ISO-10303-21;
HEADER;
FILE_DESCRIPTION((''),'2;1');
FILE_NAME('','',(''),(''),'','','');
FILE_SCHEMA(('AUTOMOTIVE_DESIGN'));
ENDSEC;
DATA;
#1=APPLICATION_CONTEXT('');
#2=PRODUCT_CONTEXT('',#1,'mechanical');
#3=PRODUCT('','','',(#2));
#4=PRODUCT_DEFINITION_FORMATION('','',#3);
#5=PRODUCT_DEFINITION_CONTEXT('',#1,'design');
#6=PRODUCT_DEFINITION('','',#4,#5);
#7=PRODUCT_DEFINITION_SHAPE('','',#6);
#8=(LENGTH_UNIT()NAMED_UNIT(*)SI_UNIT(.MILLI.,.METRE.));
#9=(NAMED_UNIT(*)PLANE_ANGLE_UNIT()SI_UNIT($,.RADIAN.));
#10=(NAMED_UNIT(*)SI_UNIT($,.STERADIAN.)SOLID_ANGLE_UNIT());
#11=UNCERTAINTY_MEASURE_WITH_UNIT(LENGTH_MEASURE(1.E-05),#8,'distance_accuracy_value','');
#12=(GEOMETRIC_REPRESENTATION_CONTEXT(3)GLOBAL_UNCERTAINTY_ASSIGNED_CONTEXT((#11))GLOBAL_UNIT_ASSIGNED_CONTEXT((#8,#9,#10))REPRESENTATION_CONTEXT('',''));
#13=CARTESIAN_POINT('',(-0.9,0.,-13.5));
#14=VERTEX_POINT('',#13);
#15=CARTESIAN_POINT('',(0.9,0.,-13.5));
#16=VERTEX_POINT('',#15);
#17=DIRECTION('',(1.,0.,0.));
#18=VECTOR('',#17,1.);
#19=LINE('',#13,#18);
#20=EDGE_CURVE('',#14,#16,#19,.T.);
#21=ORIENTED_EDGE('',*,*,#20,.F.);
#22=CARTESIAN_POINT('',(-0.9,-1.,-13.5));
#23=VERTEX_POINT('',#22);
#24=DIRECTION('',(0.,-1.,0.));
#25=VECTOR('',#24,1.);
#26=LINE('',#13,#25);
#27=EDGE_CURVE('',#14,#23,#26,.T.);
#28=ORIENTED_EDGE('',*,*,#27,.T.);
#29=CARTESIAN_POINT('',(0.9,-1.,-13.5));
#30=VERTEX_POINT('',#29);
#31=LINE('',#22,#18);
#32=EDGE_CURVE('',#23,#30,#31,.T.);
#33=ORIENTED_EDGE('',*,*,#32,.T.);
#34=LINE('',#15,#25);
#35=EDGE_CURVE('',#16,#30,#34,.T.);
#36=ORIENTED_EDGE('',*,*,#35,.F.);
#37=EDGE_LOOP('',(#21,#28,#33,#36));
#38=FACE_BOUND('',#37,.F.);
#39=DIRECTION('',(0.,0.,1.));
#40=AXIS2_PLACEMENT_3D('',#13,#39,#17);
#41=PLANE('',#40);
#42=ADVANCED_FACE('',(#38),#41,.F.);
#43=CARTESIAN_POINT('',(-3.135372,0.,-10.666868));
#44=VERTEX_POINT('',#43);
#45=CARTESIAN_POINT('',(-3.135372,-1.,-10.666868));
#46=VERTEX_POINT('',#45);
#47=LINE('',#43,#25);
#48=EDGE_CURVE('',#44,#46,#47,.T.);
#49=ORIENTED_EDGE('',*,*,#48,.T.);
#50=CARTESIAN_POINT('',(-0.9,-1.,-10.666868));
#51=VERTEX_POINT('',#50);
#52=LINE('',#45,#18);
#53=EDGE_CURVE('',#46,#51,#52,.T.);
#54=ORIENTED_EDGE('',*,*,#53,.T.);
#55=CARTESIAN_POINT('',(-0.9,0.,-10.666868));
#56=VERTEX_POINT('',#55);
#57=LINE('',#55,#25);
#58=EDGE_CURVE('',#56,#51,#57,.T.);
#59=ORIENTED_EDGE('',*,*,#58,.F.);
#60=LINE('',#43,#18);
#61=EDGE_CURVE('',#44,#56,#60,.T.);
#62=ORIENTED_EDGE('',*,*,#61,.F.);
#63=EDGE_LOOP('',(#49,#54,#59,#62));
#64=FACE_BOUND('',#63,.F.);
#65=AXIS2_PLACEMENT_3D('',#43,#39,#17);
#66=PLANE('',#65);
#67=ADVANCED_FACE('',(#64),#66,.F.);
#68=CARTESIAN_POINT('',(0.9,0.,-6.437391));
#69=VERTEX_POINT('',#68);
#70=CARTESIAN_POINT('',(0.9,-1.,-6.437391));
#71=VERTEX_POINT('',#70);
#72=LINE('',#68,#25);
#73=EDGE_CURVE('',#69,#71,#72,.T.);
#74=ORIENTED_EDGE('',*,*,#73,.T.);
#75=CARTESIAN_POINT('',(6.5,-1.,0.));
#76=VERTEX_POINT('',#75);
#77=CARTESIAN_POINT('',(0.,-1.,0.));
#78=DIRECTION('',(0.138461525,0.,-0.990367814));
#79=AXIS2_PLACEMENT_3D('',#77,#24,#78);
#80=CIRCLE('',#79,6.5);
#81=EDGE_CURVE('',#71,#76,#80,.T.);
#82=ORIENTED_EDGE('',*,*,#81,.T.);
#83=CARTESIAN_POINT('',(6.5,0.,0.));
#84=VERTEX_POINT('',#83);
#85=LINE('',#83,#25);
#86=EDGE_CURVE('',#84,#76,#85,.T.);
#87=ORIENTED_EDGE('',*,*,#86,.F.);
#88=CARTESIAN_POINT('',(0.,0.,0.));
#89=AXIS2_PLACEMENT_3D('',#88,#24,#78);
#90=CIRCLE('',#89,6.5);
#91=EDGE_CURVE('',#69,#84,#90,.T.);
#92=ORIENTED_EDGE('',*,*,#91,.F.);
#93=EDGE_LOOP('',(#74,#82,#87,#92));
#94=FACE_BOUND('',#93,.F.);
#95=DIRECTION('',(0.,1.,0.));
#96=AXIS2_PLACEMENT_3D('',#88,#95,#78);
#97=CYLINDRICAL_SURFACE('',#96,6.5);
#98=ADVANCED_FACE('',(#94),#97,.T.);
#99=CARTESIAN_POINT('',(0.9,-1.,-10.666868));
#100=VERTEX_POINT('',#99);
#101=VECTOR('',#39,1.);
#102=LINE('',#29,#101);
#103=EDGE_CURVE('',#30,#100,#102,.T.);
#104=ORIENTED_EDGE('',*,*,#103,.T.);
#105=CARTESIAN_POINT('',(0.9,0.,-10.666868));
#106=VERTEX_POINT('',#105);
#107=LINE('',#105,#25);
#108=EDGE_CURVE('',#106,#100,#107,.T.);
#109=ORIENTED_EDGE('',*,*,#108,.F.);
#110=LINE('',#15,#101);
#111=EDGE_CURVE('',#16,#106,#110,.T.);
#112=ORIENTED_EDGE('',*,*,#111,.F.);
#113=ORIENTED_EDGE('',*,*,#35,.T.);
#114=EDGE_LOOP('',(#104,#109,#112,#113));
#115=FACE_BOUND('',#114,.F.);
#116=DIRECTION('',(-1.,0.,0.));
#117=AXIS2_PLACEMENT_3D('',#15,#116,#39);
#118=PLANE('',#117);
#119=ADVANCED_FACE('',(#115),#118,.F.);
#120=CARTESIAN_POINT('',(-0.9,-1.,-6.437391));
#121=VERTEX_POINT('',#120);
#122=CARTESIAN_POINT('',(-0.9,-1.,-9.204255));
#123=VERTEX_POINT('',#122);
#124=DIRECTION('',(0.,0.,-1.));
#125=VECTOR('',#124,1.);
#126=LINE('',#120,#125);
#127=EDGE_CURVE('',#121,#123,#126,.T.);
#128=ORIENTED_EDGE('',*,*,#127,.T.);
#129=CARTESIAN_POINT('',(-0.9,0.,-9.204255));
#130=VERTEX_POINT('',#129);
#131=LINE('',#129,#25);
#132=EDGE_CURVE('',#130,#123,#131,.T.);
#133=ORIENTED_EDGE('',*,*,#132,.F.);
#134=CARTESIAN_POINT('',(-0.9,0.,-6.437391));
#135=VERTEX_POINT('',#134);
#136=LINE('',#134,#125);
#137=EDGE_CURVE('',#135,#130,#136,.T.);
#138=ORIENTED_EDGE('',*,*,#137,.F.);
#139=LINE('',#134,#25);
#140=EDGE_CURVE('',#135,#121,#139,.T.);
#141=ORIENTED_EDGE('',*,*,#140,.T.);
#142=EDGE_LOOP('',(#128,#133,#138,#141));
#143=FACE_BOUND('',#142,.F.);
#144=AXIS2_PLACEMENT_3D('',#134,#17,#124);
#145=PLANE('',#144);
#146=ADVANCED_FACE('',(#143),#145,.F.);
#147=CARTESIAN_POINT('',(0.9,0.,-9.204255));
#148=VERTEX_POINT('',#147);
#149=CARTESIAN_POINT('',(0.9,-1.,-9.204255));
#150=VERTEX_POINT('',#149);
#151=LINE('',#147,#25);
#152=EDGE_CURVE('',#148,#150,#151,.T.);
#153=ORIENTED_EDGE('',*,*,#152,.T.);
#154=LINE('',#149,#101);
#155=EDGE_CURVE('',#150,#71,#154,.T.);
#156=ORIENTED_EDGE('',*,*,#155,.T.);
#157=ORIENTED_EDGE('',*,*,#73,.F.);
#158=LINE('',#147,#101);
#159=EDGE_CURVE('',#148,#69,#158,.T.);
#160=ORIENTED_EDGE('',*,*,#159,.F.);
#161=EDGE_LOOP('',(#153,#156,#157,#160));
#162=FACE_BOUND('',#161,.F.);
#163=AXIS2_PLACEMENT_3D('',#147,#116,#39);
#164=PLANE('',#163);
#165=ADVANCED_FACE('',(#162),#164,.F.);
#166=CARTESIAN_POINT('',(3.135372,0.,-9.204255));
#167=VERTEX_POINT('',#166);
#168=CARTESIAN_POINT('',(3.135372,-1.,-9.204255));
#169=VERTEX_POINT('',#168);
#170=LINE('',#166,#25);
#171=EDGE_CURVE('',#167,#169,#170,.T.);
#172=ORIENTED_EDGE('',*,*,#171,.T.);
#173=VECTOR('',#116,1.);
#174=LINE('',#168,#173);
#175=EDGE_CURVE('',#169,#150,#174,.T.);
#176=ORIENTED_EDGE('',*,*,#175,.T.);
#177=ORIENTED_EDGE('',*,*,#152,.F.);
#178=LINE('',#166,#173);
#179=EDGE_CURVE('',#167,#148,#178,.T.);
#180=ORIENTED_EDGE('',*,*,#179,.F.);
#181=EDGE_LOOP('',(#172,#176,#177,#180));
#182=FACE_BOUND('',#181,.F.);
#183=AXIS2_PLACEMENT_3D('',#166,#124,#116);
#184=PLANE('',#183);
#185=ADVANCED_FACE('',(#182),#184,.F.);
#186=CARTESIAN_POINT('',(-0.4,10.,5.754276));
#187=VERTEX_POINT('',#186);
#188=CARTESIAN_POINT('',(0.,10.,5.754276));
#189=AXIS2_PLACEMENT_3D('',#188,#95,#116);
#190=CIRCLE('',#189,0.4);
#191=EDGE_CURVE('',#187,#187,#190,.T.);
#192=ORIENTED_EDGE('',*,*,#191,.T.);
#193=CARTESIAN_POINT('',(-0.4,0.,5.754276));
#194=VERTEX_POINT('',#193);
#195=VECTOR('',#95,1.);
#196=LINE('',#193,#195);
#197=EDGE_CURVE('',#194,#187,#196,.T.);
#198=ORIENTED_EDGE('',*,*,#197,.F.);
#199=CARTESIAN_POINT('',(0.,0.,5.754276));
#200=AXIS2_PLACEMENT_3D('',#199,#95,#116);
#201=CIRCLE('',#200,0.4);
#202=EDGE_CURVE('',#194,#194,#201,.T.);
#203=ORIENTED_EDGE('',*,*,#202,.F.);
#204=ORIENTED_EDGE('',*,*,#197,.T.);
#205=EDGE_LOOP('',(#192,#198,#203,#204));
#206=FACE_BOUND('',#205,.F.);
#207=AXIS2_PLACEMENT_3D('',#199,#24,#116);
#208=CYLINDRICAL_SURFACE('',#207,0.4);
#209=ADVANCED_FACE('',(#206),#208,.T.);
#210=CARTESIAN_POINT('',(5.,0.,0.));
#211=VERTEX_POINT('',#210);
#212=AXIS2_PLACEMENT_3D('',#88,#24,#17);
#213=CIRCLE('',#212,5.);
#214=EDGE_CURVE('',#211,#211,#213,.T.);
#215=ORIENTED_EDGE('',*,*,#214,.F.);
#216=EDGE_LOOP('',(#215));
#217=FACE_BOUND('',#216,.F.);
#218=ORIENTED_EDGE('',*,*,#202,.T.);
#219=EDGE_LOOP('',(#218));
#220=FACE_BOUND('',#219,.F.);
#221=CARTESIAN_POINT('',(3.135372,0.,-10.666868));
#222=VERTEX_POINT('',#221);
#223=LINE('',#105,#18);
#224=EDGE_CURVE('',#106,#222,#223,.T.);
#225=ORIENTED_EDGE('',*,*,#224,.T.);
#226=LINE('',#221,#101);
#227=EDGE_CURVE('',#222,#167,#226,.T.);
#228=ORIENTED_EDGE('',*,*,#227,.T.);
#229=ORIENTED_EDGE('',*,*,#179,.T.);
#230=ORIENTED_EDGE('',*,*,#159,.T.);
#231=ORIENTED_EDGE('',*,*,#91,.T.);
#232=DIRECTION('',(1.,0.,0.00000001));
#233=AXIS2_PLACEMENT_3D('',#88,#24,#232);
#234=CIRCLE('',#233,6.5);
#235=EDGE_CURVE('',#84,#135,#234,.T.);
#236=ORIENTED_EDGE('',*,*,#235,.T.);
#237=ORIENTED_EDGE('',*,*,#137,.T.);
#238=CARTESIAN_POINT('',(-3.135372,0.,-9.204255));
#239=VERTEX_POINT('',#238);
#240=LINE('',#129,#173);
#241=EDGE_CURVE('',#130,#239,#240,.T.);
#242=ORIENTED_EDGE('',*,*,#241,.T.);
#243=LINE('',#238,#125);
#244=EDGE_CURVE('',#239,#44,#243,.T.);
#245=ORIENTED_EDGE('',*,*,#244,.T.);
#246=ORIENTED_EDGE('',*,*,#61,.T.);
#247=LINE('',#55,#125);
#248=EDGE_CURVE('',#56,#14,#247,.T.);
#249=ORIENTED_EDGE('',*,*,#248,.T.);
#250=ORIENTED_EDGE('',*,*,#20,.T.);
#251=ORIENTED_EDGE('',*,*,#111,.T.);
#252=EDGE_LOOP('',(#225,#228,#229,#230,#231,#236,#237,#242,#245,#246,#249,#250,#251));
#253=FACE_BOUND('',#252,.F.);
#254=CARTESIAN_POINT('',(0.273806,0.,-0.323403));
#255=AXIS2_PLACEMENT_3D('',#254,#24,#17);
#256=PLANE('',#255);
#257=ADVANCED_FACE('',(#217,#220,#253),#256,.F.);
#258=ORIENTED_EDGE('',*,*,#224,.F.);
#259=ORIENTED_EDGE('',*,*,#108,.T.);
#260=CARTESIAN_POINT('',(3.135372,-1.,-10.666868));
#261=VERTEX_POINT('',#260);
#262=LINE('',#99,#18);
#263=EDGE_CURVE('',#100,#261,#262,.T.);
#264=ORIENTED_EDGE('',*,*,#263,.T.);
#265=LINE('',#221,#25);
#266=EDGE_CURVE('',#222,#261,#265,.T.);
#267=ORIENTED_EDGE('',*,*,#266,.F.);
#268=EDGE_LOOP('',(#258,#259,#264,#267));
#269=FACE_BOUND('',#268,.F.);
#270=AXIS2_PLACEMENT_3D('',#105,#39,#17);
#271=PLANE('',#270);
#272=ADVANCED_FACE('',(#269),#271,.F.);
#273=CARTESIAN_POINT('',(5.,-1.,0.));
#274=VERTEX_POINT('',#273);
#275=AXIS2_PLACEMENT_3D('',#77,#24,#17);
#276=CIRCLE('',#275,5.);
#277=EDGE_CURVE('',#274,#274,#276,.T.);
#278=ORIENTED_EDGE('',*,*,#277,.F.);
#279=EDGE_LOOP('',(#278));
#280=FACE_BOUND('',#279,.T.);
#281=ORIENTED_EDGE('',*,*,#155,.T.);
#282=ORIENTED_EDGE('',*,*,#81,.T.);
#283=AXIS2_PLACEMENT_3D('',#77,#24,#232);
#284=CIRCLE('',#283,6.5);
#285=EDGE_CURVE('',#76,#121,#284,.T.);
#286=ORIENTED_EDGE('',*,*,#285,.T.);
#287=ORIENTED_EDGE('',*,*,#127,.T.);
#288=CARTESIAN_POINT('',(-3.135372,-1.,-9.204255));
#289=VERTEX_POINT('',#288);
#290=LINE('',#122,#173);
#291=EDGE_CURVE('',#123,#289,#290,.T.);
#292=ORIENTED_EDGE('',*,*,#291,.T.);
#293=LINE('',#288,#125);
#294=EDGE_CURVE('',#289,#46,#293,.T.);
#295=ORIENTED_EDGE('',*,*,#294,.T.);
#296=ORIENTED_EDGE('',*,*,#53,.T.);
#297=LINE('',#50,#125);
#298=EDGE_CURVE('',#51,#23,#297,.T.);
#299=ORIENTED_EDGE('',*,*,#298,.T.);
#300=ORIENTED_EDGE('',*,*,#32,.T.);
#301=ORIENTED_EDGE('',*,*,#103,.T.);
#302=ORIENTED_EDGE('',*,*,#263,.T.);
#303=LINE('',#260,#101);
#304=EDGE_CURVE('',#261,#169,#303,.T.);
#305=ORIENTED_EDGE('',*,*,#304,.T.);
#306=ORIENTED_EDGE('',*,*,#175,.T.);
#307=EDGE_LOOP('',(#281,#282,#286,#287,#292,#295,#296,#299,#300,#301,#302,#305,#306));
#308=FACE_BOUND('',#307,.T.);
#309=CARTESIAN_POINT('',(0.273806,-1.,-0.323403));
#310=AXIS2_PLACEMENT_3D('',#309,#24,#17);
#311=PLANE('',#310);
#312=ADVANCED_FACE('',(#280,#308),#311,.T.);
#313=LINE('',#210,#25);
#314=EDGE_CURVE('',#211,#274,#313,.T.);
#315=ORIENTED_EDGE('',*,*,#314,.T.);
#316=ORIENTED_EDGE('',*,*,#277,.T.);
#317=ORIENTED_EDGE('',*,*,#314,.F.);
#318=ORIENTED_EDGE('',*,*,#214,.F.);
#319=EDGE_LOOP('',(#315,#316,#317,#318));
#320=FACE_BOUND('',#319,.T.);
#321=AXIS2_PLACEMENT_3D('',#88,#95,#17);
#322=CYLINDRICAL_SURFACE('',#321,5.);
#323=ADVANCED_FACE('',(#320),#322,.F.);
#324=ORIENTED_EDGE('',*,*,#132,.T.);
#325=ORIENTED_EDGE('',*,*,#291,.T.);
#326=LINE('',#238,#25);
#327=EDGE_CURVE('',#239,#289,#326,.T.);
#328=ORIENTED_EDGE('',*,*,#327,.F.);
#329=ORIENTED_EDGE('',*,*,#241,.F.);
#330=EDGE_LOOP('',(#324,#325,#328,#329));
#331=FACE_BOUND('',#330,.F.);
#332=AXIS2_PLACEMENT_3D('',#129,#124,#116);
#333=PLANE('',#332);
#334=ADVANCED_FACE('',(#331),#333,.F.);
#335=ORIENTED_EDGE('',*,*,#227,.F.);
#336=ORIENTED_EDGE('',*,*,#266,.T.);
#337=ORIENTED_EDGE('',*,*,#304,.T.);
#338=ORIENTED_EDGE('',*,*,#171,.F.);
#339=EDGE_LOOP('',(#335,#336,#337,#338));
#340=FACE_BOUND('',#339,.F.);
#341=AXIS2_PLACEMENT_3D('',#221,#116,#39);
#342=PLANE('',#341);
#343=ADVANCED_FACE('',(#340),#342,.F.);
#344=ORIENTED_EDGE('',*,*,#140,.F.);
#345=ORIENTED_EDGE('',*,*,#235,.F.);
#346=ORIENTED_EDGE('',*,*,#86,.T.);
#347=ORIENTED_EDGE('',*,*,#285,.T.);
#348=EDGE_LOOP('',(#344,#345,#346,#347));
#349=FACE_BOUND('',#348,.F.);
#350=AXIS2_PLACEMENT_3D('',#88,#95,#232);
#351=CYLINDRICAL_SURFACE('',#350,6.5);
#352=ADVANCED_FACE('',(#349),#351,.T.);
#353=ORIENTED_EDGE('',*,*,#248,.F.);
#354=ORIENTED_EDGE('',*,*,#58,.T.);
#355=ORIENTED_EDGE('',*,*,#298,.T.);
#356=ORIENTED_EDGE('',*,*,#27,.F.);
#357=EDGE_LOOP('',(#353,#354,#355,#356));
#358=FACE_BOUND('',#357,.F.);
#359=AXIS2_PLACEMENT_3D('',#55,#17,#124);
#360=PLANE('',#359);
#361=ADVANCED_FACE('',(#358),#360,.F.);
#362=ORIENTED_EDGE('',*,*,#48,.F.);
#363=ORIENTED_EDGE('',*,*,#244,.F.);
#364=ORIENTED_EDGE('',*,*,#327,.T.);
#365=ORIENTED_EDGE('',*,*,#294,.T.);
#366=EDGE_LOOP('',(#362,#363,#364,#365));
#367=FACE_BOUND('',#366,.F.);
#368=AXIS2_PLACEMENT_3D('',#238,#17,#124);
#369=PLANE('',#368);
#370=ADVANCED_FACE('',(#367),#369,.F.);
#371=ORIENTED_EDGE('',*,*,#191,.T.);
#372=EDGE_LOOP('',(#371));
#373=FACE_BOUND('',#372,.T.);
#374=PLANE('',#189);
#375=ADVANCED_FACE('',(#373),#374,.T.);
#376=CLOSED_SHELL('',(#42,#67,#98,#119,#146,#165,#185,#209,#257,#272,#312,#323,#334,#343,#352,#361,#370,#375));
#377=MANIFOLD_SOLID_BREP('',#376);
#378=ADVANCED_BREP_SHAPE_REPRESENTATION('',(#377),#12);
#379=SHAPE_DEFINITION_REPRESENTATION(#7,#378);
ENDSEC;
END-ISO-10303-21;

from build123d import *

# Parameters (mm, degrees)
F0_R     = 5
F1_DEPTH = 1
F2_R     = 0.4
F3_DEPTH = 10


with BuildPart() as f1:
    # F0 (on Front) → F1 (new body)
    with BuildSketch(Plane.XZ):
        with BuildLine():
            ThreePointArc((0.9, -6.437391), (4.90408, -4.266146), (6.5, 0))
            ThreePointArc((6.5, 0), (-4.266146, 4.90408), (-0.9, -6.437391))
            ThreePointArc((-0.9, -6.437391), (-0.451088, -6.484329), (0, -6.5))
            ThreePointArc((0, -6.5), (0.451088, -6.484329), (0.9, -6.437391))
        make_face()
        Circle(F0_R, mode=Mode.SUBTRACT)
        with BuildLine():
            ThreePointArc((0, -6.5), (-0.451088, -6.484329), (-0.9, -6.437391))
            Line((-0.9, -6.437391), (-0.9, -9.204255))
            Line((-0.9, -9.204255), (-3.135372, -9.204255))
            Line((-3.135372, -9.204255), (-3.135372, -10.666868))
            Line((-3.135372, -10.666868), (-0.9, -10.666868))
            Line((-0.9, -10.666868), (-0.9, -13.5))
            Line((-0.9, -13.5), (0, -13.5))
            Line((0, -13.5), (0, -6.5))
        make_face()
        with BuildLine():
            Line((0.9, -9.204255), (0.9, -6.437391))
            ThreePointArc((0.9, -6.437391), (0.451088, -6.484329), (0, -6.5))
            Line((0, -6.5), (0, -13.5))
            Line((0, -13.5), (0.9, -13.5))
            Line((0.9, -13.5), (0.9, -10.666868))
            Line((0.9, -10.666868), (3.135372, -10.666868))
            Line((3.135372, -10.666868), (3.135372, -9.204255))
            Line((3.135372, -9.204255), (0.9, -9.204255))
        make_face()
    extrude(amount=F1_DEPTH)

    # F2 (on face) → F3 (join)
    with BuildSketch(Plane(origin=(0, 0, 0), x_dir=(-1, 0, 0), z_dir=(0, 1, 0))):
        with Locations((0, 5.754276)):
            Circle(F2_R)
    extrude(amount=F3_DEPTH)


solid = f1.part
